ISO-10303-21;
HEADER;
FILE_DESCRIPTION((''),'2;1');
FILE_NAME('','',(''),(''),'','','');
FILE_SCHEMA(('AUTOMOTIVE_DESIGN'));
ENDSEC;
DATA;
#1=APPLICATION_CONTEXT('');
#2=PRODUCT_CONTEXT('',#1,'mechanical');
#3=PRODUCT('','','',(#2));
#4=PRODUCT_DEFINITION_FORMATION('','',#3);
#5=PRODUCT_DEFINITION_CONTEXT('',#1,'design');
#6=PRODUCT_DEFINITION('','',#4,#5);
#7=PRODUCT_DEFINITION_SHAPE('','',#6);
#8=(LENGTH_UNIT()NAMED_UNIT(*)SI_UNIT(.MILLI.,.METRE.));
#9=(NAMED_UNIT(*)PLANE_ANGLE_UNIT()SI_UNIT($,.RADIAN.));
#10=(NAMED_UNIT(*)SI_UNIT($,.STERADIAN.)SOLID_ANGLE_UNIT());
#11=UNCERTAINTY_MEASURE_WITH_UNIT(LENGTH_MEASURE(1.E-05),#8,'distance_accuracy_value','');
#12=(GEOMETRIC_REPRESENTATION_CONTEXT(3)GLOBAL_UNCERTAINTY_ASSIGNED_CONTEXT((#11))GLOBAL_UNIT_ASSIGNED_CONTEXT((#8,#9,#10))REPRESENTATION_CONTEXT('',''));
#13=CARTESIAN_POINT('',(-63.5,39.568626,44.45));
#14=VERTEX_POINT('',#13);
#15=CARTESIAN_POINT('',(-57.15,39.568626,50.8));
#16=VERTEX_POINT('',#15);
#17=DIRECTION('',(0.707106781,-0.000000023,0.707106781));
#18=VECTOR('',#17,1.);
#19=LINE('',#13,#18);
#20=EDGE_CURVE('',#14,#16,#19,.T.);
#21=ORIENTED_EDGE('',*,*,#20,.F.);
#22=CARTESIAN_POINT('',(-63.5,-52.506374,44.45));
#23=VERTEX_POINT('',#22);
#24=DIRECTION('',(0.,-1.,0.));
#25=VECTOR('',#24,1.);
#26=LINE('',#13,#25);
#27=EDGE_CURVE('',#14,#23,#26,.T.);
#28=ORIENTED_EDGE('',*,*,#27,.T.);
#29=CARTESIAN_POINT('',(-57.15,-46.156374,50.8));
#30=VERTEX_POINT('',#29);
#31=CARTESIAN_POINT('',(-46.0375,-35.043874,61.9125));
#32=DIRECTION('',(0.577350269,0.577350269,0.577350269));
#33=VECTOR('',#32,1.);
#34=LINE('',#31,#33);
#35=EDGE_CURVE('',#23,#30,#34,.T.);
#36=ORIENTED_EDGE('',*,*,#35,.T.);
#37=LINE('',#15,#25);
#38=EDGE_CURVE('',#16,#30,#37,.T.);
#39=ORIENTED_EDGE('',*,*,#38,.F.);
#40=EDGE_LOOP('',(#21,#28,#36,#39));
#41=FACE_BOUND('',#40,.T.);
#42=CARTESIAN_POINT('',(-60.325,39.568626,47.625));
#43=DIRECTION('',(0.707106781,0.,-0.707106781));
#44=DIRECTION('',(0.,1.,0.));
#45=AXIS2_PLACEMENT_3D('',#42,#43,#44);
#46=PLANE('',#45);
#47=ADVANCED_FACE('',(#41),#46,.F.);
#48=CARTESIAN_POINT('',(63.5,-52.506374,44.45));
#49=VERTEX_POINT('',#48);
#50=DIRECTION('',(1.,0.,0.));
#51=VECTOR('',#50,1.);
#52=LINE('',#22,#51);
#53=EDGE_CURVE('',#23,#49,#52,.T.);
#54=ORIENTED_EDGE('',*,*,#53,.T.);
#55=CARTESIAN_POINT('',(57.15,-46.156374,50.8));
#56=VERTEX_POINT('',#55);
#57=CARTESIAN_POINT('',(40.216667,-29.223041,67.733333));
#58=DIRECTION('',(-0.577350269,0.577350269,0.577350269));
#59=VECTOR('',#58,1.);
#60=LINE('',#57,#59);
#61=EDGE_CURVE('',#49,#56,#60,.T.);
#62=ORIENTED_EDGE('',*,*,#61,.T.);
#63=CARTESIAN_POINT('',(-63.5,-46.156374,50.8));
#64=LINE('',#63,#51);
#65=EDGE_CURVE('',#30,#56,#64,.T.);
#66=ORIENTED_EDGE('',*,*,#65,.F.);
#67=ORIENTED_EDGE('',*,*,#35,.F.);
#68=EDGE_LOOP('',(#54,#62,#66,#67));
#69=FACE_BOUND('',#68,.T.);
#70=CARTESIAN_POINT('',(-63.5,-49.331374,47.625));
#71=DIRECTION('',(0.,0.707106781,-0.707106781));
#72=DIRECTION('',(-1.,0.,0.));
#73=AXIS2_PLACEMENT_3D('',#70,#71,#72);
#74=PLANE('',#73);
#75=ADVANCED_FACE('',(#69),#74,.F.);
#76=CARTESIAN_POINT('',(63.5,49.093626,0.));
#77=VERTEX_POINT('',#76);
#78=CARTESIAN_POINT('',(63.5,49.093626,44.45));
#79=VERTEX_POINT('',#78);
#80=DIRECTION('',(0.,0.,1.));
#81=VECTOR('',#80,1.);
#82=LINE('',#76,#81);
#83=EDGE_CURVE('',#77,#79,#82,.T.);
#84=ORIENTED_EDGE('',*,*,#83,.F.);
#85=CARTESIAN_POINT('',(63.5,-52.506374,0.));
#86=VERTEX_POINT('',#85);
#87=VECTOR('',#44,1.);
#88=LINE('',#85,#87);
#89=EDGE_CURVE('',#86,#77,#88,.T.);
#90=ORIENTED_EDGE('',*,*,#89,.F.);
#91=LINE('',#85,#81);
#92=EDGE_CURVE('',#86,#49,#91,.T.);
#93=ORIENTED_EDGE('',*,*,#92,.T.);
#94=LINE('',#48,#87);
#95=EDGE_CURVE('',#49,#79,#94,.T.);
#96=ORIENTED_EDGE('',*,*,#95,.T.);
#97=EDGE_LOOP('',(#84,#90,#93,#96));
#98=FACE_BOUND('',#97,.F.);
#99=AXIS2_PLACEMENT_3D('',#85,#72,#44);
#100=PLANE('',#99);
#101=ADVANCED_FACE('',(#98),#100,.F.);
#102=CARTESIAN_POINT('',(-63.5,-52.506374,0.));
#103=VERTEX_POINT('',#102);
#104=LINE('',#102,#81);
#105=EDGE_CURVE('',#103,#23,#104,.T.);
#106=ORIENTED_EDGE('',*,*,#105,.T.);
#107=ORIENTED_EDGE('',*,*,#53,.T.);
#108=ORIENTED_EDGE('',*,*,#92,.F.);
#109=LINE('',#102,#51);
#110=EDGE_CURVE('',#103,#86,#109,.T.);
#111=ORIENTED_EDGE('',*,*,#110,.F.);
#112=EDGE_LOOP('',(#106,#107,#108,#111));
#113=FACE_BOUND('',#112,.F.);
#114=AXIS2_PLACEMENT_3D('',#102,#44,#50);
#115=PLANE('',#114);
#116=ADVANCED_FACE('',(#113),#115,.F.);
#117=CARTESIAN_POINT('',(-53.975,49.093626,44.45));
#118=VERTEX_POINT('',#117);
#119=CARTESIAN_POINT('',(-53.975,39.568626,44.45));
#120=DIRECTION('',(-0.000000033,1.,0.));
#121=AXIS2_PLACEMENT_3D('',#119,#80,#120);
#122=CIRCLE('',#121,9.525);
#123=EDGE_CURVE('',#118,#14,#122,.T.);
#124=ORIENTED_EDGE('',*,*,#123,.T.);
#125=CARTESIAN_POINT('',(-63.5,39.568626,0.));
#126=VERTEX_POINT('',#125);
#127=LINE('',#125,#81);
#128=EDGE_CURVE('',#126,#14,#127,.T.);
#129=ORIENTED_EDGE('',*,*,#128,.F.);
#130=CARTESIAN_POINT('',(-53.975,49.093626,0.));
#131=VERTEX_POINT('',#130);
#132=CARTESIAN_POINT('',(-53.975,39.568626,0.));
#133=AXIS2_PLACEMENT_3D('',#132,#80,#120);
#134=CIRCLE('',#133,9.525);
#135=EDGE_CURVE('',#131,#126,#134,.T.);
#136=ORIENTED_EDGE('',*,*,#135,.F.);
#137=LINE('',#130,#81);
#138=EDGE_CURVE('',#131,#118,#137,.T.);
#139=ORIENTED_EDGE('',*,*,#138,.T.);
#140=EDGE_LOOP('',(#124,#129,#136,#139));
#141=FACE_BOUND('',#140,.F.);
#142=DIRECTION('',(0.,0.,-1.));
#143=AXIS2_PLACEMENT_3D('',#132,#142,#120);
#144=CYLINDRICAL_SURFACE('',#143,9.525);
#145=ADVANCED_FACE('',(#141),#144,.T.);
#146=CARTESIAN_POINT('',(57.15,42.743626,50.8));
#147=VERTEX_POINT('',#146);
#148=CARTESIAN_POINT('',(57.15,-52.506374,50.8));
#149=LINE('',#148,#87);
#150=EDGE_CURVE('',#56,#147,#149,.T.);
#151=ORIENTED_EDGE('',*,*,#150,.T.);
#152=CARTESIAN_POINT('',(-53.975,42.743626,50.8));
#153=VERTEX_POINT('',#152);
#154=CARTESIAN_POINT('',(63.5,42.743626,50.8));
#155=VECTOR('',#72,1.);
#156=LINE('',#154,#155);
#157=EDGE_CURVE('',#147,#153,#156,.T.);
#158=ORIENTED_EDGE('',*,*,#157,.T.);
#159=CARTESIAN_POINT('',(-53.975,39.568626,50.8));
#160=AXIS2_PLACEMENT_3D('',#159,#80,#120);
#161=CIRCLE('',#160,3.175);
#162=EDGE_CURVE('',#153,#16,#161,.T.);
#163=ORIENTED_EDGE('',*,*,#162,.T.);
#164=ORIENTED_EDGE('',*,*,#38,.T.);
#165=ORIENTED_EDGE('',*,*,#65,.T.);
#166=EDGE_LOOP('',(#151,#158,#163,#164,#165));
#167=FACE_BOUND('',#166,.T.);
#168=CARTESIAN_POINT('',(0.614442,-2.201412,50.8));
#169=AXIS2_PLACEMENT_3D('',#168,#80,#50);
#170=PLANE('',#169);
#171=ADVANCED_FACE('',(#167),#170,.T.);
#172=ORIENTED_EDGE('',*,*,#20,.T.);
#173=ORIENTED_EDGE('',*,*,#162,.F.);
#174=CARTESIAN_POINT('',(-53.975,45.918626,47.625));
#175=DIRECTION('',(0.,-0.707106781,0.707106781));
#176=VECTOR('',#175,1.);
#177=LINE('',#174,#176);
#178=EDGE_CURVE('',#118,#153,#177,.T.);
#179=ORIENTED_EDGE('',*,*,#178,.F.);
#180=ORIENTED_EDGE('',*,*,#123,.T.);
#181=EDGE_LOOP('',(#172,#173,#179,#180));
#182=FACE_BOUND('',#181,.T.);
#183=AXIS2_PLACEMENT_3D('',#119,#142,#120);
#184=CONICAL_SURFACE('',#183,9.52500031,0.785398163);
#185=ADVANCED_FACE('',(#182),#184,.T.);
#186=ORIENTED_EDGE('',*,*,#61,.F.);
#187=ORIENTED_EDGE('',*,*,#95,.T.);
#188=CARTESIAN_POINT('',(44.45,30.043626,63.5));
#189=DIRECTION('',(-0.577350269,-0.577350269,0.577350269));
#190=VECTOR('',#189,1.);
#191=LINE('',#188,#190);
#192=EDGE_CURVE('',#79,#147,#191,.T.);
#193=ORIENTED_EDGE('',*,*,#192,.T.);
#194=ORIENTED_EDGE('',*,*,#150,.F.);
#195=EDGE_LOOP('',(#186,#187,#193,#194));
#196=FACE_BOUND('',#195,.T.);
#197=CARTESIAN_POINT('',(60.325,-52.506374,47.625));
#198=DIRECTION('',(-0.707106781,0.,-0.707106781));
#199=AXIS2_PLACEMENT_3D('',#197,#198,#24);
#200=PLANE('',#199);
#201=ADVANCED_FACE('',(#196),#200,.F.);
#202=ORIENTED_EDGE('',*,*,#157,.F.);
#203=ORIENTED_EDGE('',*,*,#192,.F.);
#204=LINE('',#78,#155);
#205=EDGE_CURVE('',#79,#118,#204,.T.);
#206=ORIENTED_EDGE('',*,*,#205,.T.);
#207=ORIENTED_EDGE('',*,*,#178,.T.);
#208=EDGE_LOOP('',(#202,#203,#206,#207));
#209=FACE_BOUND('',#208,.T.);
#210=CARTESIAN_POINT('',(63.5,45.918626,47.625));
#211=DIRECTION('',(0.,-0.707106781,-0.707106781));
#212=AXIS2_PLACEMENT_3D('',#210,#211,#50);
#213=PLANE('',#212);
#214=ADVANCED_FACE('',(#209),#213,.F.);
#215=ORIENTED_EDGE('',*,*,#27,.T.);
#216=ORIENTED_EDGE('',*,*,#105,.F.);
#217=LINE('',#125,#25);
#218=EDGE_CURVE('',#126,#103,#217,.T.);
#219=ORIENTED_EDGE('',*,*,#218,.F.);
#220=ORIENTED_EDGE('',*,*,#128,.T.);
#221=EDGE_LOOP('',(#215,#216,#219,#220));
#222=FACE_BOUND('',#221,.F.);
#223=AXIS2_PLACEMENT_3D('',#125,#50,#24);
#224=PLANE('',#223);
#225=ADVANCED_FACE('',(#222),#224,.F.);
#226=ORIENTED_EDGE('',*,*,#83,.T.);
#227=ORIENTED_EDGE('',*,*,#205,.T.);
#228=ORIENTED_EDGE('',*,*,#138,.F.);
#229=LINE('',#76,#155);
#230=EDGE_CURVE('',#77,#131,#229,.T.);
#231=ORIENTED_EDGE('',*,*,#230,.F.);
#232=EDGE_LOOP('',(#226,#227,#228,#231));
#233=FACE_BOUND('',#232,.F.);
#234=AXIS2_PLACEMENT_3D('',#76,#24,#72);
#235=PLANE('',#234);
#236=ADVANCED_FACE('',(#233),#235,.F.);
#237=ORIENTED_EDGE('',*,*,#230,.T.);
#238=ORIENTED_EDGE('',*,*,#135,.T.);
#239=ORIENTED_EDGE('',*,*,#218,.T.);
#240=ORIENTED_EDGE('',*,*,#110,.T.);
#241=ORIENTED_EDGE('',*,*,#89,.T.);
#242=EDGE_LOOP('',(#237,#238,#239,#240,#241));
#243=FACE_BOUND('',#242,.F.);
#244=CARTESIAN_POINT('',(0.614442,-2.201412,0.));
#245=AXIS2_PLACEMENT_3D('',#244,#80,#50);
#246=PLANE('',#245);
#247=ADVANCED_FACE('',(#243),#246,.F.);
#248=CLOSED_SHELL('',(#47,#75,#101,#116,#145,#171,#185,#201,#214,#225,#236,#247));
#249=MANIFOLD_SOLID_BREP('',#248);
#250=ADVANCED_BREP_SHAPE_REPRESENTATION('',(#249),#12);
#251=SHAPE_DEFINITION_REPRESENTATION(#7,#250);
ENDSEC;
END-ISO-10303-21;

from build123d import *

# Parameters (mm, degrees)
F1_DEPTH = 50.8
F2_SIZE  = 6.35


with BuildPart() as f1:
    # F0 (on Top) → F1 (new body)
    with BuildSketch(Plane.XY):
        with BuildLine():
            Line((63.5, 49.093626), (-53.975, 49.093626))
            ThreePointArc((-53.975, 49.093626), (-60.710192, 46.303818), (-63.5, 39.568626))
            Line((-63.5, 39.568626), (-63.5, -52.506374))
            Line((-63.5, -52.506374), (63.5, -52.506374))
            Line((63.5, -52.506374), (63.5, 49.093626))
        make_face()
    extrude(amount=F1_DEPTH)

    # F2
    f2_edges = [f1.edges().sort_by_distance(p)[0] for p in [
        (0, -52.506374, 50.8),
        (63.5, -1.706374, 50.8),
        (4.7625, 49.093626, 50.8),
        (-60.710192, 46.303818, 50.8),
        (-63.5, -6.468874, 50.8),
    ]]
    chamfer(f2_edges, length=F2_SIZE)


solid = f1.part
